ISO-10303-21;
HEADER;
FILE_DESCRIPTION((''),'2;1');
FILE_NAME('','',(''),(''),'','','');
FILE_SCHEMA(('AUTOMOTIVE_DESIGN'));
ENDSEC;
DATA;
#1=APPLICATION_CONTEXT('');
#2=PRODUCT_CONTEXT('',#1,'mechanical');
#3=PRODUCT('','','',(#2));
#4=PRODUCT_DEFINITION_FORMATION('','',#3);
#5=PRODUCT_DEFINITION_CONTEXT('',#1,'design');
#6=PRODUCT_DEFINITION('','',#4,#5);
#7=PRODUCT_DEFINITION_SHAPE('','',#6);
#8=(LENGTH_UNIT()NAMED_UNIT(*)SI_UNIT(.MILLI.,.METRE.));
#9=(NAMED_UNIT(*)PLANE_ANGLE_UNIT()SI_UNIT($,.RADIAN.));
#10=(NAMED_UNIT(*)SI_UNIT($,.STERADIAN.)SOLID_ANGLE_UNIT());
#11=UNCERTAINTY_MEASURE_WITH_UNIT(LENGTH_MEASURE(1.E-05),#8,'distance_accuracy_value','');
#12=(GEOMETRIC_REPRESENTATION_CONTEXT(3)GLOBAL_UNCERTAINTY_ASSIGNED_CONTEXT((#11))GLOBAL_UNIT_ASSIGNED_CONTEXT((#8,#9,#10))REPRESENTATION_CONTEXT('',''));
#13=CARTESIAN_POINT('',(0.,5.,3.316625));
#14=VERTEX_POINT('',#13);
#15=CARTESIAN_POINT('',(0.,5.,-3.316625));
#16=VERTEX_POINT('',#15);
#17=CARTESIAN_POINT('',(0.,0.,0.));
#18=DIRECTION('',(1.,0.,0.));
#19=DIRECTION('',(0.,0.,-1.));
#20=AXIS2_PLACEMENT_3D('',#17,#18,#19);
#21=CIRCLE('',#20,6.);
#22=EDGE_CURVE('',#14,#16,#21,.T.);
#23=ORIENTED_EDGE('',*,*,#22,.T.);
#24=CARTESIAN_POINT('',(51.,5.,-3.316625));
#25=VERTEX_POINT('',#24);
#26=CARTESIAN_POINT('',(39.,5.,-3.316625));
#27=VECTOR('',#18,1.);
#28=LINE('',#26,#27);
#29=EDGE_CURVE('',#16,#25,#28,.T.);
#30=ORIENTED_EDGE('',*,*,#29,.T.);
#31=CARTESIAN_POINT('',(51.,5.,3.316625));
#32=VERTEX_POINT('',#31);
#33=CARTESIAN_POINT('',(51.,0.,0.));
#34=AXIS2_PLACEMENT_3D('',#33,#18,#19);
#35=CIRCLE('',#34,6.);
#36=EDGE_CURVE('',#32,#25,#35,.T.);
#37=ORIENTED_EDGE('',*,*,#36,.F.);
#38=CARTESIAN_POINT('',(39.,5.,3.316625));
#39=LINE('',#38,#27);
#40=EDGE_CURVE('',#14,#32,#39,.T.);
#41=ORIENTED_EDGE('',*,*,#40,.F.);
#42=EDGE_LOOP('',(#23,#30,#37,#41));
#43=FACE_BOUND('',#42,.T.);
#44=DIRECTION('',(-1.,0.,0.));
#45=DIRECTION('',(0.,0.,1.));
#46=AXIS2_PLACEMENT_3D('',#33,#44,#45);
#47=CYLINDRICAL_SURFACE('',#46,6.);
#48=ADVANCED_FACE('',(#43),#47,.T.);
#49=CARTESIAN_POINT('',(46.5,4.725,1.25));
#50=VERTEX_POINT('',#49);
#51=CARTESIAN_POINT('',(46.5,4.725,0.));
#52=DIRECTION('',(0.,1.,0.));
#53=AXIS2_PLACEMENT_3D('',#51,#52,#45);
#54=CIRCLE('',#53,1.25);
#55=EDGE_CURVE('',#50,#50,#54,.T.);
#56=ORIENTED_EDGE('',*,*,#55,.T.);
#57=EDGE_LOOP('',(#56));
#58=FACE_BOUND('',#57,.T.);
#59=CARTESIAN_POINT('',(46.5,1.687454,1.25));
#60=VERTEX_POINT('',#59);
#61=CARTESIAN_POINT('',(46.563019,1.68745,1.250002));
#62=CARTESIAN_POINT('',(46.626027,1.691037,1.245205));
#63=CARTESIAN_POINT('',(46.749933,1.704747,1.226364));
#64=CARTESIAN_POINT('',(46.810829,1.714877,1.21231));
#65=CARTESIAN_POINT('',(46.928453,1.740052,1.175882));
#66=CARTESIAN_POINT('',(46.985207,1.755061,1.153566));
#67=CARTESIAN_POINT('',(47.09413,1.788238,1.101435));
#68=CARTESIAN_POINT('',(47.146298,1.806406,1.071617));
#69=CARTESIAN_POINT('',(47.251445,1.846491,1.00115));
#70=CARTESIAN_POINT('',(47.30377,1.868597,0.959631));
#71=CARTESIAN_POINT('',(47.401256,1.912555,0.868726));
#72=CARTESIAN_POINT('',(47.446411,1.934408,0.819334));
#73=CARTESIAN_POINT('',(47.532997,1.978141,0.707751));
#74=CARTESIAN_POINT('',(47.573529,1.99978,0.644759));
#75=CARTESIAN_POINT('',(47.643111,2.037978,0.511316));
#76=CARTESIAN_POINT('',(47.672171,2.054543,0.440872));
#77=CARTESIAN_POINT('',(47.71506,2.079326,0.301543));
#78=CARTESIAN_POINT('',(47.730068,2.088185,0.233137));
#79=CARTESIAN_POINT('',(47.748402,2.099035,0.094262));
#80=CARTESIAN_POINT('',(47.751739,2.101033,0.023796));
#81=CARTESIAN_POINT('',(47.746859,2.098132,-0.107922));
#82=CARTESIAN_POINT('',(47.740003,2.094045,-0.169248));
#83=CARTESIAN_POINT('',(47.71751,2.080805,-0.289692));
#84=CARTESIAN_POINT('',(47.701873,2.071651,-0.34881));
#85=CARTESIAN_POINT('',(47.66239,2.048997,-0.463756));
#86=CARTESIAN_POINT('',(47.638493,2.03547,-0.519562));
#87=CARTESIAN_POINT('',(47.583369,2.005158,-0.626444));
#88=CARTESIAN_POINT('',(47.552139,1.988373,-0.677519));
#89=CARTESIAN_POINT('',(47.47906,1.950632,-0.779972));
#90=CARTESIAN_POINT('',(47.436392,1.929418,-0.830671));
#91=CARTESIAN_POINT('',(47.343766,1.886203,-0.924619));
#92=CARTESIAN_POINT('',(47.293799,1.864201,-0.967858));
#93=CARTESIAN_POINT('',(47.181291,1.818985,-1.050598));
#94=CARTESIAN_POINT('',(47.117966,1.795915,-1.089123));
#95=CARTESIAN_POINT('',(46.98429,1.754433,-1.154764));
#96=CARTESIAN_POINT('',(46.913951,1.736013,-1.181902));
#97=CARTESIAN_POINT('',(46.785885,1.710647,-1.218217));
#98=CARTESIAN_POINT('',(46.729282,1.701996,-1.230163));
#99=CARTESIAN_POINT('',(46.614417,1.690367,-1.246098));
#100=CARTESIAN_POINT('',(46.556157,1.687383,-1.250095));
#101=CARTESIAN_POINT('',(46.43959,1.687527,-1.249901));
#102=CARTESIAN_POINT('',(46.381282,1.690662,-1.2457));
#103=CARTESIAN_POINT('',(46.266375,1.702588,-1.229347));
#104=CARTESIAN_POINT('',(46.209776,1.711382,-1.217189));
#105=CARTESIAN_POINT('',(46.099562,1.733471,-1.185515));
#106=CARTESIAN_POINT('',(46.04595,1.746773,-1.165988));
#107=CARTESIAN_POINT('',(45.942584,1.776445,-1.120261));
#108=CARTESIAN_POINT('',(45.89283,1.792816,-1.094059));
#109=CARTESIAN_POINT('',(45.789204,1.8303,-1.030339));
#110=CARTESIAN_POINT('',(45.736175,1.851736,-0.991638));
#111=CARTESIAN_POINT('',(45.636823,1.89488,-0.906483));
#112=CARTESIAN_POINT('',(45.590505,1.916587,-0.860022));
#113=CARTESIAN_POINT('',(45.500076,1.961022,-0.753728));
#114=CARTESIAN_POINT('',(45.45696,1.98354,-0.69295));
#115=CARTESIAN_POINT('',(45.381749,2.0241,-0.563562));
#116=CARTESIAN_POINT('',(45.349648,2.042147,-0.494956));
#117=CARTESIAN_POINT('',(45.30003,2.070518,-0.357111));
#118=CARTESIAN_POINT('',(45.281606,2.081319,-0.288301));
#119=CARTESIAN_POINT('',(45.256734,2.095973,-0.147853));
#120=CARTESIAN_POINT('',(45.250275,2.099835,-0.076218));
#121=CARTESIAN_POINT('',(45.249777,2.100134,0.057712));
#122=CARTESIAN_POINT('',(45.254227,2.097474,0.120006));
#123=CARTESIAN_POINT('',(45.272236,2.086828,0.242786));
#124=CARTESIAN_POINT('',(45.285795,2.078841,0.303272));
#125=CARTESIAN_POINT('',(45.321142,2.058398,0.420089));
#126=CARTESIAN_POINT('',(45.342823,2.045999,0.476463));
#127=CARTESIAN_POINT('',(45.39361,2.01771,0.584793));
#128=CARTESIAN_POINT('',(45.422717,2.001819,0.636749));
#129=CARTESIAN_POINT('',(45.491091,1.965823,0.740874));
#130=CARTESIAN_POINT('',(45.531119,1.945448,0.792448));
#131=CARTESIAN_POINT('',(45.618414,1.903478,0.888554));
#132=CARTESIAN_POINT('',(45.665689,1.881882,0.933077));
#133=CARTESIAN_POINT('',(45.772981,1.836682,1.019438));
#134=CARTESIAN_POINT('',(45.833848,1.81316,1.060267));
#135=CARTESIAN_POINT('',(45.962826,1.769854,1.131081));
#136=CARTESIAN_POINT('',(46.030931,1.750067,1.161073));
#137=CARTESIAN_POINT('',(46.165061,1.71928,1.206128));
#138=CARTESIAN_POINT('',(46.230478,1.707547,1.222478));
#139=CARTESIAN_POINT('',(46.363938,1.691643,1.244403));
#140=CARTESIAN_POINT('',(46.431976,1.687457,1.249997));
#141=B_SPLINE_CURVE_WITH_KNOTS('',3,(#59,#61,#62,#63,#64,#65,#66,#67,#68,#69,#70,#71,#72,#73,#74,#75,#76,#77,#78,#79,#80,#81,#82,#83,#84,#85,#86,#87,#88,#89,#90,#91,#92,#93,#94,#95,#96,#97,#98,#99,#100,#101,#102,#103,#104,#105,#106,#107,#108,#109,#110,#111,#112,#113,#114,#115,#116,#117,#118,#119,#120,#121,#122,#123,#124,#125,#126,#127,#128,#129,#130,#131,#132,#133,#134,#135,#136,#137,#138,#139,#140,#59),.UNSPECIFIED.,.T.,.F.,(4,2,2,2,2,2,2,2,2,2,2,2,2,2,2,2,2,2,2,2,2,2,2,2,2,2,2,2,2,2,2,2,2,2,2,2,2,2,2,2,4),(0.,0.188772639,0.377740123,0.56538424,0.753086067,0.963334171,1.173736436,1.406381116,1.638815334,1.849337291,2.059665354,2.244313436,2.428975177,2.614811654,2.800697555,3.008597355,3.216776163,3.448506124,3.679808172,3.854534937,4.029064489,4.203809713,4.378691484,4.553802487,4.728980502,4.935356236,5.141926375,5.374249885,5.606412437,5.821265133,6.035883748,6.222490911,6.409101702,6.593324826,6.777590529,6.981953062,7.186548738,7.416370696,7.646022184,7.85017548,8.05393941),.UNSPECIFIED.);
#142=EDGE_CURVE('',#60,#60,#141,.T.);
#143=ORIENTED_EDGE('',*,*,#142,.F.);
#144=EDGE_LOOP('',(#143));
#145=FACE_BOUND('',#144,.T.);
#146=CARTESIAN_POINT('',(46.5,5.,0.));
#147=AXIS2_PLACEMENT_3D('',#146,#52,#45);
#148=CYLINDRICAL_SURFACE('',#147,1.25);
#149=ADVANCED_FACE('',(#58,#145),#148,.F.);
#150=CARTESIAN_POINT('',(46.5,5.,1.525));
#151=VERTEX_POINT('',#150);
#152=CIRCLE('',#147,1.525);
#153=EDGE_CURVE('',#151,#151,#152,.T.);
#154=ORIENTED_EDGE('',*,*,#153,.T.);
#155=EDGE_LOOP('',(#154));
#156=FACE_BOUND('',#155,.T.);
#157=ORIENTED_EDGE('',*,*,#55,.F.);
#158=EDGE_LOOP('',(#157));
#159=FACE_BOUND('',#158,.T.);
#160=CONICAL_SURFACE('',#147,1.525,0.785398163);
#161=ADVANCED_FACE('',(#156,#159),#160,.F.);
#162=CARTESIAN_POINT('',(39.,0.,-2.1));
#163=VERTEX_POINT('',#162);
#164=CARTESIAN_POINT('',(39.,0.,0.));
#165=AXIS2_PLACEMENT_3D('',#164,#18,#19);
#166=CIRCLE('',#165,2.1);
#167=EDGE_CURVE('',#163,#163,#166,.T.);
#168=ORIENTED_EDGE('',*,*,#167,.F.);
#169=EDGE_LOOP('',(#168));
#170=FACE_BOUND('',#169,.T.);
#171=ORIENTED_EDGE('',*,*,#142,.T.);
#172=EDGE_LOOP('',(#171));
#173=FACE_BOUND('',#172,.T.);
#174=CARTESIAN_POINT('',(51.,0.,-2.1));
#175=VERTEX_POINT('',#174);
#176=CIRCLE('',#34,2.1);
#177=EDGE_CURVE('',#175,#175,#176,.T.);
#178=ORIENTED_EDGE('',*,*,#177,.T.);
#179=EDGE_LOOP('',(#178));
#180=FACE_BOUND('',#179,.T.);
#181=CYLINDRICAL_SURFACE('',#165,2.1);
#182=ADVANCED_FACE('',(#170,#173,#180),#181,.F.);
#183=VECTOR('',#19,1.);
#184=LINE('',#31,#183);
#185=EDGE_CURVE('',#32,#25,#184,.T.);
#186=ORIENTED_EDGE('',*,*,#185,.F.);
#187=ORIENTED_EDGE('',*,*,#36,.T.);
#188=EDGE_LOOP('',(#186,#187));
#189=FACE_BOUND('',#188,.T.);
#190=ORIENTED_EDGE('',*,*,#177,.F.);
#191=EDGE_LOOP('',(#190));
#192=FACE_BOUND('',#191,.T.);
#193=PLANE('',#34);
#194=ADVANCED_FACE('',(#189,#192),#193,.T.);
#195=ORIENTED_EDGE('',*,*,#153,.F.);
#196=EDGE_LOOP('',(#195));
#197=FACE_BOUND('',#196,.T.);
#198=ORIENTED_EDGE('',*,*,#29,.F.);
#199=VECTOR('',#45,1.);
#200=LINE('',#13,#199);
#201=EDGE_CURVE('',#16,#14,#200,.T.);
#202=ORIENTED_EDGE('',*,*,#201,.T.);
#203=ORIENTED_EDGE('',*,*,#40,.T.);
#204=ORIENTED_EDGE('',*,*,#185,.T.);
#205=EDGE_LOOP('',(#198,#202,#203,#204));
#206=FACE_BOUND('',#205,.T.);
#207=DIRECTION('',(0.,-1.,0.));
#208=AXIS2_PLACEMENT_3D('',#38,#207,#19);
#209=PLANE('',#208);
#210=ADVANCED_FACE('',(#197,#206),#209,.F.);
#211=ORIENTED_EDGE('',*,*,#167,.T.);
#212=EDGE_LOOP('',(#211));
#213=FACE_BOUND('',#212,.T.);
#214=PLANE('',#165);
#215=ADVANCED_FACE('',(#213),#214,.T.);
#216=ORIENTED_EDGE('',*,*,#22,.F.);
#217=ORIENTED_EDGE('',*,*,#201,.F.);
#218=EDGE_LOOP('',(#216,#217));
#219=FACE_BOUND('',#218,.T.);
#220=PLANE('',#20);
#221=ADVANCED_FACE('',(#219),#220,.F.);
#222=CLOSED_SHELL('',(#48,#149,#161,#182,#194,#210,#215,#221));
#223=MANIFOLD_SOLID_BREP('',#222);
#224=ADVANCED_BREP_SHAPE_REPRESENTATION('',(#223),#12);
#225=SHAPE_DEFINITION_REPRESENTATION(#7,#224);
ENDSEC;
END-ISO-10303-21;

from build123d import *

# Parameters (mm, degrees)
SKETCH1_R                   = 6
BOSS_EXTRUDE1_DEPTH         = 51
CUT_EXTRUDE1_START          = -12
SKETCH2_R                   = 2.1
CUT_EXTRUDE1_DEPTH          = 12
M3_TAPPED_HOLE1_D           = 2.5
M3_TAPPED_HOLE1_DEPTH       = 6
M3_TAPPED_HOLE1_CSINK_D     = 3.05
M3_TAPPED_HOLE1_CSINK_ANGLE = 90
M3_TAPPED_HOLE1_TIP         = 0.751075774
CUT_EXTRUDE2_REACH          = 41.912


with BuildPart() as part:
    # Sketch1 → Boss-Extrude1 (new body)
    with BuildSketch(Plane(origin=(0, 0, 0), x_dir=(0, 0, -1), z_dir=(1, 0, 0))):
        Circle(SKETCH1_R)
    extrude(amount=BOSS_EXTRUDE1_DEPTH)

    # Sketch2 → Cut-Extrude1 (cut)
    with BuildSketch(Plane(origin=(51, 0, 0), x_dir=(0, 0, -1), z_dir=(1, 0, 0)).offset(CUT_EXTRUDE1_START)):
        Circle(SKETCH2_R)
        with BuildLine():
            Line((-3.31662479, 5), (3.31662479, 5))
            ThreePointArc((3.31662479, 5), (0, 6), (-3.31662479, 5))
        make_face()
    extrude(amount=CUT_EXTRUDE1_DEPTH, mode=Mode.SUBTRACT)

    # M3 Tapped Hole1
    with Locations(Plane(origin=(46.5, 5, 0), x_dir=(0, 0, 1), z_dir=(0, 1, 0))):
        with Locations((0, 0)):
            CounterSinkHole(M3_TAPPED_HOLE1_D / 2, M3_TAPPED_HOLE1_CSINK_D / 2, depth=M3_TAPPED_HOLE1_DEPTH, counter_sink_angle=M3_TAPPED_HOLE1_CSINK_ANGLE)
            with Locations((0, 0, -(M3_TAPPED_HOLE1_DEPTH + M3_TAPPED_HOLE1_TIP / 2))):  # 118° drill point
                Cone(0, M3_TAPPED_HOLE1_D / 2, M3_TAPPED_HOLE1_TIP, mode=Mode.SUBTRACT)

    # Sketch7 → Cut-Extrude2 (cut, up to next)
    with BuildSketch(Plane(origin=(39, 0, 0), x_dir=(0, 0, -1), z_dir=(1, 0, 0)), mode=Mode.PRIVATE) as cut_extrude2_sk1:
        with BuildLine():
            Line((-3.31662479, 5), (3.31662479, 5))
            ThreePointArc((3.31662479, 5), (0, 6), (-3.31662479, 5))
        make_face()
    cut_extrude2_tool1 = extrude(cut_extrude2_sk1.sketch, amount=-CUT_EXTRUDE2_REACH, mode=Mode.PRIVATE) & part.part
    add(cut_extrude2_tool1.solids().sort_by_distance((39, 5.403002, 0))[0], mode=Mode.SUBTRACT)


solid = part.part
